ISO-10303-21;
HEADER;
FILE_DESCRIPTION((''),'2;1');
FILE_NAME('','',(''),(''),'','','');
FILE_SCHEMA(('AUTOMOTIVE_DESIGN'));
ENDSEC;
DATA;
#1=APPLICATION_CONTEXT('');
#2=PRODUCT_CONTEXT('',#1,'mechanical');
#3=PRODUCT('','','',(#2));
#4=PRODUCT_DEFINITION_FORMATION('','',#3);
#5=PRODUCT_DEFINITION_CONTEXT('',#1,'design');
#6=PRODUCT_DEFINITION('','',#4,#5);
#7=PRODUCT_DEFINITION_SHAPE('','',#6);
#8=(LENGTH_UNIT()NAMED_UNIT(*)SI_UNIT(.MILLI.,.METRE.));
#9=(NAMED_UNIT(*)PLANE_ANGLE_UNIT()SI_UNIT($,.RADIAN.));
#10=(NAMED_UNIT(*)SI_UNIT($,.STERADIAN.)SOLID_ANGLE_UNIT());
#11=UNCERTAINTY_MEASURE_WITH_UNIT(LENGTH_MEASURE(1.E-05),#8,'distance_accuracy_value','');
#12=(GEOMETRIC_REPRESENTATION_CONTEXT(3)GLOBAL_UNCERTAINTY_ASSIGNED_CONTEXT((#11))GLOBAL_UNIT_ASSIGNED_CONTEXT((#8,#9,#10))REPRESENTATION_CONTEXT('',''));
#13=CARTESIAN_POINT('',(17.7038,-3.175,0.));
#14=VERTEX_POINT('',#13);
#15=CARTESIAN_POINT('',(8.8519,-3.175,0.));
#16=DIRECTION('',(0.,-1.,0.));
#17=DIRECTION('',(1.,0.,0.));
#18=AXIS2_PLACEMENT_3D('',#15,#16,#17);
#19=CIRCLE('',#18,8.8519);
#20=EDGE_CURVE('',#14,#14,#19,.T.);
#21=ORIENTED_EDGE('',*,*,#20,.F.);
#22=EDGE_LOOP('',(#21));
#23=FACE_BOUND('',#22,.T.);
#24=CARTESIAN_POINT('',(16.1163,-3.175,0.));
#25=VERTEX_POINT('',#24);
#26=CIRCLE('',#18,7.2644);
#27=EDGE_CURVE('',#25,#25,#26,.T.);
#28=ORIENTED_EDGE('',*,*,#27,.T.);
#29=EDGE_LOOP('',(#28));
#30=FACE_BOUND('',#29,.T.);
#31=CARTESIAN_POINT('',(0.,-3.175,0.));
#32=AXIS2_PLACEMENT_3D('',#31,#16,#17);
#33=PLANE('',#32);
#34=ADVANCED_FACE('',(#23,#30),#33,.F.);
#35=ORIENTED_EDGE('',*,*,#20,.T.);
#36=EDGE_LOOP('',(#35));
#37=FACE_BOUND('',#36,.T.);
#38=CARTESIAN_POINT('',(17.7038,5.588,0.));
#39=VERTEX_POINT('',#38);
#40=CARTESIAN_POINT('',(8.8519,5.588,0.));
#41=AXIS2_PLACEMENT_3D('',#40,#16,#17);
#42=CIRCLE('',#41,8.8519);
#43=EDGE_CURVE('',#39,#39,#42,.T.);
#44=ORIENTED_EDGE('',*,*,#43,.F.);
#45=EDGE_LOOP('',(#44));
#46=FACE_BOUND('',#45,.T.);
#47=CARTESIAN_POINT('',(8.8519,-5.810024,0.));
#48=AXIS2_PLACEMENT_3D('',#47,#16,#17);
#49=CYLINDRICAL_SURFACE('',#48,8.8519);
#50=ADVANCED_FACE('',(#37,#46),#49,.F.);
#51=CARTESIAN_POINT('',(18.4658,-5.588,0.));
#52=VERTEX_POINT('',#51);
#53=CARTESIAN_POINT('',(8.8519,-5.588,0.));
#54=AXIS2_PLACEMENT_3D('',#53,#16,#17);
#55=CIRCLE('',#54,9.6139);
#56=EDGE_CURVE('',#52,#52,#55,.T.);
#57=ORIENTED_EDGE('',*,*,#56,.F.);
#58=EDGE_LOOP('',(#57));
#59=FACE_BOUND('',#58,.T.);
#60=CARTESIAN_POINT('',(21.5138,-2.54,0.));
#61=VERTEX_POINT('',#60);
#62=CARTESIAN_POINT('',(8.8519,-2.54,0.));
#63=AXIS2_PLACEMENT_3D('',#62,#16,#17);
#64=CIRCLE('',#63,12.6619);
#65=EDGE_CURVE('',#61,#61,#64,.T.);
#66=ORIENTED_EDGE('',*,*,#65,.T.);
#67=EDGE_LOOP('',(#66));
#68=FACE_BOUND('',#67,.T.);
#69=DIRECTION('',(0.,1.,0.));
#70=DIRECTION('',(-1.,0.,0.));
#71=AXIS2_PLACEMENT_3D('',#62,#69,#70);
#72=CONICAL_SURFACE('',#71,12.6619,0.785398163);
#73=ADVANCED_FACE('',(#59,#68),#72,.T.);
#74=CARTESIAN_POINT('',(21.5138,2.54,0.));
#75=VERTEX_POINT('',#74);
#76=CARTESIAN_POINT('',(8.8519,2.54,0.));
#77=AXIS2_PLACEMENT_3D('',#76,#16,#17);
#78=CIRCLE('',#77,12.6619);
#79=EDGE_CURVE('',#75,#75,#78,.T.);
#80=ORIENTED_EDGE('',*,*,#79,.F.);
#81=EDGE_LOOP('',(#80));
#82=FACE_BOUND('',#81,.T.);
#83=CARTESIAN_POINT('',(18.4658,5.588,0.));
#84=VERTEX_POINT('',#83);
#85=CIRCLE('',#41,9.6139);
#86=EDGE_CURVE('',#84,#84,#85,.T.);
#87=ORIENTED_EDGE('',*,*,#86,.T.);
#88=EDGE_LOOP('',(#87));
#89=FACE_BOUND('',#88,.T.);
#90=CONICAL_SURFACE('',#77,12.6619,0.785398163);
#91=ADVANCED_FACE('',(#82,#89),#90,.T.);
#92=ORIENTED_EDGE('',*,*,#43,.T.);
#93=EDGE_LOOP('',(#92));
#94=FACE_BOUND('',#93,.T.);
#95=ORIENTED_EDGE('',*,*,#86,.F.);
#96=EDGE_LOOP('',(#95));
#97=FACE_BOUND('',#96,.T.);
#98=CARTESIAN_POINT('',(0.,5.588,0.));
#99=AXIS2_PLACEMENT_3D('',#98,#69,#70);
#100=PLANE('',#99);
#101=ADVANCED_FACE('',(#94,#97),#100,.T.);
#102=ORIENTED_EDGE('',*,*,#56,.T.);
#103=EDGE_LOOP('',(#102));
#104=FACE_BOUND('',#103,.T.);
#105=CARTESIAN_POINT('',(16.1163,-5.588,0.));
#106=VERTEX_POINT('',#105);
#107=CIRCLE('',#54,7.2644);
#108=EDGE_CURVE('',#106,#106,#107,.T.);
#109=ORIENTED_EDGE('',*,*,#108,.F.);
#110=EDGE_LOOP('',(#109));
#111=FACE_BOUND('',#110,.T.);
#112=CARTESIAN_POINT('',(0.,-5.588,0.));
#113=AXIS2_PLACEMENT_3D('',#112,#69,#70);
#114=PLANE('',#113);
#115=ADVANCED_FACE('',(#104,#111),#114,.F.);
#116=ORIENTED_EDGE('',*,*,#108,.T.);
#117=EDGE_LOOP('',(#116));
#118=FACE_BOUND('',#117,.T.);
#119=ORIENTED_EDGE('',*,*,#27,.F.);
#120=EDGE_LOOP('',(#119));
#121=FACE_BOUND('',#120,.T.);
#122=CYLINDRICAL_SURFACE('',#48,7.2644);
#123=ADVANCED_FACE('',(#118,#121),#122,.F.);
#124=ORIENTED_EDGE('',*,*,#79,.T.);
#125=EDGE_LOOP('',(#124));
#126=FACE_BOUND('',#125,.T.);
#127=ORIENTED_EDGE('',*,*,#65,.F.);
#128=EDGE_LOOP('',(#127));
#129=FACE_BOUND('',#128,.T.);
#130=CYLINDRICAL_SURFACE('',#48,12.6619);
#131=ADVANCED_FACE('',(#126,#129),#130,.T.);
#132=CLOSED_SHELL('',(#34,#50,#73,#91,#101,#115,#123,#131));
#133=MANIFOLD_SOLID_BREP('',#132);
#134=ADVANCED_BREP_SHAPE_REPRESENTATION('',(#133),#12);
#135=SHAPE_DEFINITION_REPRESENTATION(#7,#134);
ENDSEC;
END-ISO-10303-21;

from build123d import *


with BuildPart() as part:
    # Roller Profile Sketch → Revolve 2 (revolve)
    with BuildSketch(Plane.XY, mode=Mode.PRIVATE) as revolve_2_sk:
        Polygon((-0.762, -5.588), (1.5875, -5.588), (1.5875, -3.175), (0, -3.175), (0, 5.588), (-0.762, 5.588), (-3.81, 2.54), (-3.81, -2.54), align=None)
    revolve(revolve_2_sk.sketch.rotate(Axis((8.8519, -5.810023832, 0), (0, 1, 0)), 180), axis=Axis((8.8519, -5.810023832, 0), (0, 1, 0)))


solid = part.part
